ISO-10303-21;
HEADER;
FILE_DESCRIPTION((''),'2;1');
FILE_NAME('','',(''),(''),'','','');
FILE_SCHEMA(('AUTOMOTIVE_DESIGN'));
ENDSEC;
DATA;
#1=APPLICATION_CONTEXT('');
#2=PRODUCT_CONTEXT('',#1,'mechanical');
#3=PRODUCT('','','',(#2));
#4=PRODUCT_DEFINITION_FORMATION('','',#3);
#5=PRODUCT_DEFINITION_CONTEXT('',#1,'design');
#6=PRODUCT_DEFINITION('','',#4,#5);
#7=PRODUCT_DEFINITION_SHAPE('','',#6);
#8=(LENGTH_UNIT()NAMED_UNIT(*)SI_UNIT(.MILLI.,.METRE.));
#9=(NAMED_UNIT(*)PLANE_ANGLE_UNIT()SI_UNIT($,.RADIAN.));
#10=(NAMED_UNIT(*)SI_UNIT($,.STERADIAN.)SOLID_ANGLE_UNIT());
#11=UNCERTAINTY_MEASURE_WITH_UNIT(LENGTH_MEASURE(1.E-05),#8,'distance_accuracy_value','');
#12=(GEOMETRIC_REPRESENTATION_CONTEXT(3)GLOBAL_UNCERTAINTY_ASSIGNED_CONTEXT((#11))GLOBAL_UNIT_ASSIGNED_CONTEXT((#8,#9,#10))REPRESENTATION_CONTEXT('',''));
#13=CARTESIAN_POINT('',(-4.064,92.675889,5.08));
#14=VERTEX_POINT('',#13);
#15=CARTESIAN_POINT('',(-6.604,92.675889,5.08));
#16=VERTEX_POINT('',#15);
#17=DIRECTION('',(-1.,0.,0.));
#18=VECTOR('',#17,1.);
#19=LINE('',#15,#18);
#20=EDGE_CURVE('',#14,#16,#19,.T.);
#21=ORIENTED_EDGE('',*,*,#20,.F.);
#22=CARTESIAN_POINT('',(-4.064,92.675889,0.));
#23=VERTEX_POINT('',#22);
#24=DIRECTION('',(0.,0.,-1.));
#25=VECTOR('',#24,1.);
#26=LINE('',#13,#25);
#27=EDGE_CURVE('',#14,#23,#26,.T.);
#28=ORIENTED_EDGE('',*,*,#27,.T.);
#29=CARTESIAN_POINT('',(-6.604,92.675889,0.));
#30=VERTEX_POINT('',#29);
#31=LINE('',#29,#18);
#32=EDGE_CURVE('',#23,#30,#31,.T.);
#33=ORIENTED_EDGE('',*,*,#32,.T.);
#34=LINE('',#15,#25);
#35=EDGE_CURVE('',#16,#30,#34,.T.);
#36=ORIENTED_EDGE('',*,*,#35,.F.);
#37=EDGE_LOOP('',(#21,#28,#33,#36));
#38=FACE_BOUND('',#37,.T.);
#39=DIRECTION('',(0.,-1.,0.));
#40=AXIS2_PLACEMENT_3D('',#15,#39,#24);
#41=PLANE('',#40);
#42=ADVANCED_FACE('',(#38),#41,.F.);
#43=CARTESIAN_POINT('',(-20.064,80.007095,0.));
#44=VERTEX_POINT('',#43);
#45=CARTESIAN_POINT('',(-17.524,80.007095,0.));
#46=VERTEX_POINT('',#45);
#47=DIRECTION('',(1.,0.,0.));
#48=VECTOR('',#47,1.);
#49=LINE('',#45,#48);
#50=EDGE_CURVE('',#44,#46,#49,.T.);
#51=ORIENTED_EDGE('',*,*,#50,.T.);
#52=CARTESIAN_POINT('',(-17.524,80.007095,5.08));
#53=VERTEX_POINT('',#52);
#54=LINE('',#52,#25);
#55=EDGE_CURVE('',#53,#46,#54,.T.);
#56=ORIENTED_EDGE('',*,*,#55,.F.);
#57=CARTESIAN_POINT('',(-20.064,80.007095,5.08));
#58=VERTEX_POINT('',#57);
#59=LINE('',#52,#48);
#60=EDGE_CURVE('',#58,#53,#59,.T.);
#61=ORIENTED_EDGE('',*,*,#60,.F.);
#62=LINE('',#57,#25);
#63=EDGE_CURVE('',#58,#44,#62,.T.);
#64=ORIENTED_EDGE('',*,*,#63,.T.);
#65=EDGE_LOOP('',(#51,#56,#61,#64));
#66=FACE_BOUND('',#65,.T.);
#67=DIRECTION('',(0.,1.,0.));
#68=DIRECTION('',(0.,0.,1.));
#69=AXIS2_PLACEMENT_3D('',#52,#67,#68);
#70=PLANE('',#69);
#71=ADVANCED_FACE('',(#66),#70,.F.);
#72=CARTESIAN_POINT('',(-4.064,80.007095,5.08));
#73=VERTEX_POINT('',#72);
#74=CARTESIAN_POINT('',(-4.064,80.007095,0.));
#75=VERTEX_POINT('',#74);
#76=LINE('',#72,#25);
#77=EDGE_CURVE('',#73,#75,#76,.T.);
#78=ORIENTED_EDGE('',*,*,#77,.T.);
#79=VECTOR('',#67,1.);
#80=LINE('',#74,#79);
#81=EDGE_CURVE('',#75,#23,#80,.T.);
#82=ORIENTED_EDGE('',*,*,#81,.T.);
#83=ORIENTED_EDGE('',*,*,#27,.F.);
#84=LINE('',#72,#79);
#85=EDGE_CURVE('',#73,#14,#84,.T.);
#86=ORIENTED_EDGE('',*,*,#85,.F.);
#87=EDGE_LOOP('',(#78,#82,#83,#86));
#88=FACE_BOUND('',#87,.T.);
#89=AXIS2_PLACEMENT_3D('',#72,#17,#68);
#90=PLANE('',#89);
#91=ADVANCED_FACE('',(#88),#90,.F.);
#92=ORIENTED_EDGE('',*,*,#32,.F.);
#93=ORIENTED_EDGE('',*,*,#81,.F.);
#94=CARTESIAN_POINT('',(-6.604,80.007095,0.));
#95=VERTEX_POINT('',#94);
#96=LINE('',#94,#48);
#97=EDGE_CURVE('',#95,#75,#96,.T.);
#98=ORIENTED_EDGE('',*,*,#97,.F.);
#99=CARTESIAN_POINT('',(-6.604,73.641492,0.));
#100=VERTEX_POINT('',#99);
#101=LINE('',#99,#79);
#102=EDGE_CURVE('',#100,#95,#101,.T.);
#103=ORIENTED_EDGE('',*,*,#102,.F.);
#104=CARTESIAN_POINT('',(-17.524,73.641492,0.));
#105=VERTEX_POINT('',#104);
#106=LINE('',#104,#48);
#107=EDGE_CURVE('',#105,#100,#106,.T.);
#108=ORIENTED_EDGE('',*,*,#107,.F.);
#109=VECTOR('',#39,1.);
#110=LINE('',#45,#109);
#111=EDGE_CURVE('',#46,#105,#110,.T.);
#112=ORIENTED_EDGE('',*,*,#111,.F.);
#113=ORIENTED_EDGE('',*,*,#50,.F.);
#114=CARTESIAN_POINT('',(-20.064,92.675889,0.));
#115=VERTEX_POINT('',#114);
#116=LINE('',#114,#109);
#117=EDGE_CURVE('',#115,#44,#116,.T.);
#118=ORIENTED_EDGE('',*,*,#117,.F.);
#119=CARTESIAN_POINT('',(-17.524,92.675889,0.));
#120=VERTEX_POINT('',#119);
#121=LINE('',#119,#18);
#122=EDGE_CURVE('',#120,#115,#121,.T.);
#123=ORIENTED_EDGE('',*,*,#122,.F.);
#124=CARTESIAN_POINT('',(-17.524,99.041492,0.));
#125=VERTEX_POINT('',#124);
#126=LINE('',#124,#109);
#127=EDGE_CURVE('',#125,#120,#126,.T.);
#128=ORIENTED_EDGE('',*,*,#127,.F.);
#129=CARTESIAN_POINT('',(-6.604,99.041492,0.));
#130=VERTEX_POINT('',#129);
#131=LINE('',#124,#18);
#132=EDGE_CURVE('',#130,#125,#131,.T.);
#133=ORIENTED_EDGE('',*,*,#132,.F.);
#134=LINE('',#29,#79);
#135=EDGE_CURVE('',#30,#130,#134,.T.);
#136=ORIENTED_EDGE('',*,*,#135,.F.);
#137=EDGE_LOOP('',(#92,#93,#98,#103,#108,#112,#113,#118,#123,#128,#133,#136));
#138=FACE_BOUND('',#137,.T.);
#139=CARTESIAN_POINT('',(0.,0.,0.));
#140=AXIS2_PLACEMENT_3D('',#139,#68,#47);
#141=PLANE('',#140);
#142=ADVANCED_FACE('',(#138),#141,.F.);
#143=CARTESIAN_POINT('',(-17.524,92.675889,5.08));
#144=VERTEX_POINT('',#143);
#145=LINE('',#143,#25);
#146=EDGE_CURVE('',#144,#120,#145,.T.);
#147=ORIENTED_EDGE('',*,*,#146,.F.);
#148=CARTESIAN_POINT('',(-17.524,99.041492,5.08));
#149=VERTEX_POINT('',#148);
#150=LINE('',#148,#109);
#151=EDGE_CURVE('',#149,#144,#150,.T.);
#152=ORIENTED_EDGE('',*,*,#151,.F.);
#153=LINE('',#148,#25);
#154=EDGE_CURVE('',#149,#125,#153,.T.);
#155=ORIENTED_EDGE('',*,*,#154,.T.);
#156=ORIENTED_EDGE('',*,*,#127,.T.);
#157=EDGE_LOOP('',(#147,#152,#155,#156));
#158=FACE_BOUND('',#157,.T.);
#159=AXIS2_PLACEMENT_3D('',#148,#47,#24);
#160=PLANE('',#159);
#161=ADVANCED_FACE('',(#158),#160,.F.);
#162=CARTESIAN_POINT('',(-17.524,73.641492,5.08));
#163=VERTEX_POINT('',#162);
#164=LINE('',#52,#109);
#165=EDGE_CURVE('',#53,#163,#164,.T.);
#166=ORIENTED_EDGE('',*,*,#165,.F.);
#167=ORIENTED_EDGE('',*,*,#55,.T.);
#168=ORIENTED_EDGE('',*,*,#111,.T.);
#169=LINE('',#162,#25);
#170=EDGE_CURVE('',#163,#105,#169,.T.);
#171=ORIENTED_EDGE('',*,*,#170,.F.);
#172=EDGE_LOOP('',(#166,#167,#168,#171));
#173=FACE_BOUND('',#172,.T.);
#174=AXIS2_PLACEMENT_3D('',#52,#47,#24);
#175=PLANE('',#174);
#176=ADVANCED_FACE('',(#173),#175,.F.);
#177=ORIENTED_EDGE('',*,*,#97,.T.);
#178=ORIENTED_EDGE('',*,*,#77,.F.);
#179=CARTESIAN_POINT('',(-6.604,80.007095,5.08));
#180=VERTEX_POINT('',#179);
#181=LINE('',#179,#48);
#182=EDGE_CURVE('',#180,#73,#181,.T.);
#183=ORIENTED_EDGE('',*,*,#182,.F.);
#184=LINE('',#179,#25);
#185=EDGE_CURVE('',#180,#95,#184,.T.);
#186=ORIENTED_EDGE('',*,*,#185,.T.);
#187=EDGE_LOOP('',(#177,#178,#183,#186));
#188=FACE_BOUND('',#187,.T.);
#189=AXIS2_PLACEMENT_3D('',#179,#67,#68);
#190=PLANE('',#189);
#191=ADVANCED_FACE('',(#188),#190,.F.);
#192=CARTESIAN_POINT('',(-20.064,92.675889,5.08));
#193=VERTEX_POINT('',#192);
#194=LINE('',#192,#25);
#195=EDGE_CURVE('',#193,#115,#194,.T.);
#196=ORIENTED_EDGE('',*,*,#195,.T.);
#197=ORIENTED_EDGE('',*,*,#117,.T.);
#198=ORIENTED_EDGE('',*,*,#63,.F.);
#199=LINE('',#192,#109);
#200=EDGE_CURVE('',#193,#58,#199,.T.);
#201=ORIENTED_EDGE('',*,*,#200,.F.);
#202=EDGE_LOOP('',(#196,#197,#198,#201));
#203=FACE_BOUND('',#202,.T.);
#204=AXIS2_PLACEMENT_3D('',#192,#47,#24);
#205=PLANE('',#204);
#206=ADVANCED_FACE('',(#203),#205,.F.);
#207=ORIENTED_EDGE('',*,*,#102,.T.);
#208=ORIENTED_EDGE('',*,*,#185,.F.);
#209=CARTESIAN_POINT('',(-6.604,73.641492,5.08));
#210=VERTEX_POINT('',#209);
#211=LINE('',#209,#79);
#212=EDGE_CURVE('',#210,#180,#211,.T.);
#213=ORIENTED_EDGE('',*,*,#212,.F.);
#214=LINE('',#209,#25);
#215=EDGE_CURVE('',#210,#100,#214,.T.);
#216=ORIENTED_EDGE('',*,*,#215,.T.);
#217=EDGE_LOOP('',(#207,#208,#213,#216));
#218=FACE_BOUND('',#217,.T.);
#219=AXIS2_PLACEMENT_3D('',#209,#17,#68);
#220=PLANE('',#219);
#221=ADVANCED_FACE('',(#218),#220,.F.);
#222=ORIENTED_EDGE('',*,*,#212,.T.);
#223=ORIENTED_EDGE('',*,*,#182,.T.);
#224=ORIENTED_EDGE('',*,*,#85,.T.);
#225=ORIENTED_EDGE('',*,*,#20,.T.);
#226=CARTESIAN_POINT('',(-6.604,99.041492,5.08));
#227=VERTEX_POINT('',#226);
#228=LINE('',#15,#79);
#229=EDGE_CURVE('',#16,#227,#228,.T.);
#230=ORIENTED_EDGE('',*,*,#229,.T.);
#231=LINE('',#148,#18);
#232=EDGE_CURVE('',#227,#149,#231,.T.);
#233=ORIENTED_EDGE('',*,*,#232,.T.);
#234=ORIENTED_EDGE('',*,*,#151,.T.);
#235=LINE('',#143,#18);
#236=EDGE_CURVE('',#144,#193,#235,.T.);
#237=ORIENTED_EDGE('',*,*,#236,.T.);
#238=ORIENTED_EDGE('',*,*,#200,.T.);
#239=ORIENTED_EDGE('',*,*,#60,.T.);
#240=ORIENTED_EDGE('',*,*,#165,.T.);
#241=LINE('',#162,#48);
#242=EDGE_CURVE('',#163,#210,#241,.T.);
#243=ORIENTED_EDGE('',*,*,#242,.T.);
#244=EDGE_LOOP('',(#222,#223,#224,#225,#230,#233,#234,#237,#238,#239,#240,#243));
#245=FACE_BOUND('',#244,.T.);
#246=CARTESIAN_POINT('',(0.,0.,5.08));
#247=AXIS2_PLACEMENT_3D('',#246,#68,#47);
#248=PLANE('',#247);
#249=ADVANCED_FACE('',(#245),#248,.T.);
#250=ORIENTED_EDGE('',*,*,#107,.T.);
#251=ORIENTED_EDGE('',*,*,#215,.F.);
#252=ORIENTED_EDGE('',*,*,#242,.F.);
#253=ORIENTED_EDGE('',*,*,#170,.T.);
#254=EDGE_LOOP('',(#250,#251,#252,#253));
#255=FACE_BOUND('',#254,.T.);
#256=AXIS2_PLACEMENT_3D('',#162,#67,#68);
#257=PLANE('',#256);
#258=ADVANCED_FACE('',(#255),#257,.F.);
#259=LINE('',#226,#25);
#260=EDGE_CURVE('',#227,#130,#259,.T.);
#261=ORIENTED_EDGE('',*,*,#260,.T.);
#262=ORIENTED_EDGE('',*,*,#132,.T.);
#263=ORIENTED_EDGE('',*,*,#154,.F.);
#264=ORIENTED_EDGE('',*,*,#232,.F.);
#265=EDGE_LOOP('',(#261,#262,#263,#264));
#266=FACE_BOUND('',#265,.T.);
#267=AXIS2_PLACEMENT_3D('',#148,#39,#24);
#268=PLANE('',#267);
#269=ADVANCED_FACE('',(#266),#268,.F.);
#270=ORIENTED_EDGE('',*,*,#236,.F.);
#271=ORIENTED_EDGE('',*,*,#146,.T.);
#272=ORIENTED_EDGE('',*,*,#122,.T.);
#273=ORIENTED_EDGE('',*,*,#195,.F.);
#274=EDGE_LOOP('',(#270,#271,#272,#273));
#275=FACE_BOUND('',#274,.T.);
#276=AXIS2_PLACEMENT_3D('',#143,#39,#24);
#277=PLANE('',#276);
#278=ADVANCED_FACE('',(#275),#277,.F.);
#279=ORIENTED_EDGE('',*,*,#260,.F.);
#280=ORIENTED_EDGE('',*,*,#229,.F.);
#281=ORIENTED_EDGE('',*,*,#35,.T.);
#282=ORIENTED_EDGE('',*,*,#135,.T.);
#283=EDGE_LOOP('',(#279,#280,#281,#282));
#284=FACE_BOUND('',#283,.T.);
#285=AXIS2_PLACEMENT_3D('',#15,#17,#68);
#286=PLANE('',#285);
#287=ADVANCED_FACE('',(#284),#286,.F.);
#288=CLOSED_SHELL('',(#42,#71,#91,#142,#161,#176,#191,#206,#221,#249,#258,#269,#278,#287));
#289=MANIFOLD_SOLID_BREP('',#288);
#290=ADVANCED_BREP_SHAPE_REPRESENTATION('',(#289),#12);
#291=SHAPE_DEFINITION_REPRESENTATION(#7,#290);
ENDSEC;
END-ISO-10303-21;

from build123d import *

# Parameters (mm, degrees)
BOSS_EXTRUDE1_DEPTH = 5.08


with BuildPart() as part:
    # Sketch1 → Boss-Extrude1 (new body)
    with BuildSketch(Plane.XY):
        Polygon((-17.524, 73.641491945), (-6.604, 73.641491945), (-6.604, 80.007094601), (-4.064, 80.007094601), (-4.064, 92.675889289), (-6.604, 92.675889289), (-6.604, 99.041491945), (-17.524, 99.041491945), (-17.524, 92.675889289), (-20.064, 92.675889289), (-20.064, 80.007094601), (-17.524, 80.007094601), align=None)
    extrude(amount=BOSS_EXTRUDE1_DEPTH)


solid = part.part
